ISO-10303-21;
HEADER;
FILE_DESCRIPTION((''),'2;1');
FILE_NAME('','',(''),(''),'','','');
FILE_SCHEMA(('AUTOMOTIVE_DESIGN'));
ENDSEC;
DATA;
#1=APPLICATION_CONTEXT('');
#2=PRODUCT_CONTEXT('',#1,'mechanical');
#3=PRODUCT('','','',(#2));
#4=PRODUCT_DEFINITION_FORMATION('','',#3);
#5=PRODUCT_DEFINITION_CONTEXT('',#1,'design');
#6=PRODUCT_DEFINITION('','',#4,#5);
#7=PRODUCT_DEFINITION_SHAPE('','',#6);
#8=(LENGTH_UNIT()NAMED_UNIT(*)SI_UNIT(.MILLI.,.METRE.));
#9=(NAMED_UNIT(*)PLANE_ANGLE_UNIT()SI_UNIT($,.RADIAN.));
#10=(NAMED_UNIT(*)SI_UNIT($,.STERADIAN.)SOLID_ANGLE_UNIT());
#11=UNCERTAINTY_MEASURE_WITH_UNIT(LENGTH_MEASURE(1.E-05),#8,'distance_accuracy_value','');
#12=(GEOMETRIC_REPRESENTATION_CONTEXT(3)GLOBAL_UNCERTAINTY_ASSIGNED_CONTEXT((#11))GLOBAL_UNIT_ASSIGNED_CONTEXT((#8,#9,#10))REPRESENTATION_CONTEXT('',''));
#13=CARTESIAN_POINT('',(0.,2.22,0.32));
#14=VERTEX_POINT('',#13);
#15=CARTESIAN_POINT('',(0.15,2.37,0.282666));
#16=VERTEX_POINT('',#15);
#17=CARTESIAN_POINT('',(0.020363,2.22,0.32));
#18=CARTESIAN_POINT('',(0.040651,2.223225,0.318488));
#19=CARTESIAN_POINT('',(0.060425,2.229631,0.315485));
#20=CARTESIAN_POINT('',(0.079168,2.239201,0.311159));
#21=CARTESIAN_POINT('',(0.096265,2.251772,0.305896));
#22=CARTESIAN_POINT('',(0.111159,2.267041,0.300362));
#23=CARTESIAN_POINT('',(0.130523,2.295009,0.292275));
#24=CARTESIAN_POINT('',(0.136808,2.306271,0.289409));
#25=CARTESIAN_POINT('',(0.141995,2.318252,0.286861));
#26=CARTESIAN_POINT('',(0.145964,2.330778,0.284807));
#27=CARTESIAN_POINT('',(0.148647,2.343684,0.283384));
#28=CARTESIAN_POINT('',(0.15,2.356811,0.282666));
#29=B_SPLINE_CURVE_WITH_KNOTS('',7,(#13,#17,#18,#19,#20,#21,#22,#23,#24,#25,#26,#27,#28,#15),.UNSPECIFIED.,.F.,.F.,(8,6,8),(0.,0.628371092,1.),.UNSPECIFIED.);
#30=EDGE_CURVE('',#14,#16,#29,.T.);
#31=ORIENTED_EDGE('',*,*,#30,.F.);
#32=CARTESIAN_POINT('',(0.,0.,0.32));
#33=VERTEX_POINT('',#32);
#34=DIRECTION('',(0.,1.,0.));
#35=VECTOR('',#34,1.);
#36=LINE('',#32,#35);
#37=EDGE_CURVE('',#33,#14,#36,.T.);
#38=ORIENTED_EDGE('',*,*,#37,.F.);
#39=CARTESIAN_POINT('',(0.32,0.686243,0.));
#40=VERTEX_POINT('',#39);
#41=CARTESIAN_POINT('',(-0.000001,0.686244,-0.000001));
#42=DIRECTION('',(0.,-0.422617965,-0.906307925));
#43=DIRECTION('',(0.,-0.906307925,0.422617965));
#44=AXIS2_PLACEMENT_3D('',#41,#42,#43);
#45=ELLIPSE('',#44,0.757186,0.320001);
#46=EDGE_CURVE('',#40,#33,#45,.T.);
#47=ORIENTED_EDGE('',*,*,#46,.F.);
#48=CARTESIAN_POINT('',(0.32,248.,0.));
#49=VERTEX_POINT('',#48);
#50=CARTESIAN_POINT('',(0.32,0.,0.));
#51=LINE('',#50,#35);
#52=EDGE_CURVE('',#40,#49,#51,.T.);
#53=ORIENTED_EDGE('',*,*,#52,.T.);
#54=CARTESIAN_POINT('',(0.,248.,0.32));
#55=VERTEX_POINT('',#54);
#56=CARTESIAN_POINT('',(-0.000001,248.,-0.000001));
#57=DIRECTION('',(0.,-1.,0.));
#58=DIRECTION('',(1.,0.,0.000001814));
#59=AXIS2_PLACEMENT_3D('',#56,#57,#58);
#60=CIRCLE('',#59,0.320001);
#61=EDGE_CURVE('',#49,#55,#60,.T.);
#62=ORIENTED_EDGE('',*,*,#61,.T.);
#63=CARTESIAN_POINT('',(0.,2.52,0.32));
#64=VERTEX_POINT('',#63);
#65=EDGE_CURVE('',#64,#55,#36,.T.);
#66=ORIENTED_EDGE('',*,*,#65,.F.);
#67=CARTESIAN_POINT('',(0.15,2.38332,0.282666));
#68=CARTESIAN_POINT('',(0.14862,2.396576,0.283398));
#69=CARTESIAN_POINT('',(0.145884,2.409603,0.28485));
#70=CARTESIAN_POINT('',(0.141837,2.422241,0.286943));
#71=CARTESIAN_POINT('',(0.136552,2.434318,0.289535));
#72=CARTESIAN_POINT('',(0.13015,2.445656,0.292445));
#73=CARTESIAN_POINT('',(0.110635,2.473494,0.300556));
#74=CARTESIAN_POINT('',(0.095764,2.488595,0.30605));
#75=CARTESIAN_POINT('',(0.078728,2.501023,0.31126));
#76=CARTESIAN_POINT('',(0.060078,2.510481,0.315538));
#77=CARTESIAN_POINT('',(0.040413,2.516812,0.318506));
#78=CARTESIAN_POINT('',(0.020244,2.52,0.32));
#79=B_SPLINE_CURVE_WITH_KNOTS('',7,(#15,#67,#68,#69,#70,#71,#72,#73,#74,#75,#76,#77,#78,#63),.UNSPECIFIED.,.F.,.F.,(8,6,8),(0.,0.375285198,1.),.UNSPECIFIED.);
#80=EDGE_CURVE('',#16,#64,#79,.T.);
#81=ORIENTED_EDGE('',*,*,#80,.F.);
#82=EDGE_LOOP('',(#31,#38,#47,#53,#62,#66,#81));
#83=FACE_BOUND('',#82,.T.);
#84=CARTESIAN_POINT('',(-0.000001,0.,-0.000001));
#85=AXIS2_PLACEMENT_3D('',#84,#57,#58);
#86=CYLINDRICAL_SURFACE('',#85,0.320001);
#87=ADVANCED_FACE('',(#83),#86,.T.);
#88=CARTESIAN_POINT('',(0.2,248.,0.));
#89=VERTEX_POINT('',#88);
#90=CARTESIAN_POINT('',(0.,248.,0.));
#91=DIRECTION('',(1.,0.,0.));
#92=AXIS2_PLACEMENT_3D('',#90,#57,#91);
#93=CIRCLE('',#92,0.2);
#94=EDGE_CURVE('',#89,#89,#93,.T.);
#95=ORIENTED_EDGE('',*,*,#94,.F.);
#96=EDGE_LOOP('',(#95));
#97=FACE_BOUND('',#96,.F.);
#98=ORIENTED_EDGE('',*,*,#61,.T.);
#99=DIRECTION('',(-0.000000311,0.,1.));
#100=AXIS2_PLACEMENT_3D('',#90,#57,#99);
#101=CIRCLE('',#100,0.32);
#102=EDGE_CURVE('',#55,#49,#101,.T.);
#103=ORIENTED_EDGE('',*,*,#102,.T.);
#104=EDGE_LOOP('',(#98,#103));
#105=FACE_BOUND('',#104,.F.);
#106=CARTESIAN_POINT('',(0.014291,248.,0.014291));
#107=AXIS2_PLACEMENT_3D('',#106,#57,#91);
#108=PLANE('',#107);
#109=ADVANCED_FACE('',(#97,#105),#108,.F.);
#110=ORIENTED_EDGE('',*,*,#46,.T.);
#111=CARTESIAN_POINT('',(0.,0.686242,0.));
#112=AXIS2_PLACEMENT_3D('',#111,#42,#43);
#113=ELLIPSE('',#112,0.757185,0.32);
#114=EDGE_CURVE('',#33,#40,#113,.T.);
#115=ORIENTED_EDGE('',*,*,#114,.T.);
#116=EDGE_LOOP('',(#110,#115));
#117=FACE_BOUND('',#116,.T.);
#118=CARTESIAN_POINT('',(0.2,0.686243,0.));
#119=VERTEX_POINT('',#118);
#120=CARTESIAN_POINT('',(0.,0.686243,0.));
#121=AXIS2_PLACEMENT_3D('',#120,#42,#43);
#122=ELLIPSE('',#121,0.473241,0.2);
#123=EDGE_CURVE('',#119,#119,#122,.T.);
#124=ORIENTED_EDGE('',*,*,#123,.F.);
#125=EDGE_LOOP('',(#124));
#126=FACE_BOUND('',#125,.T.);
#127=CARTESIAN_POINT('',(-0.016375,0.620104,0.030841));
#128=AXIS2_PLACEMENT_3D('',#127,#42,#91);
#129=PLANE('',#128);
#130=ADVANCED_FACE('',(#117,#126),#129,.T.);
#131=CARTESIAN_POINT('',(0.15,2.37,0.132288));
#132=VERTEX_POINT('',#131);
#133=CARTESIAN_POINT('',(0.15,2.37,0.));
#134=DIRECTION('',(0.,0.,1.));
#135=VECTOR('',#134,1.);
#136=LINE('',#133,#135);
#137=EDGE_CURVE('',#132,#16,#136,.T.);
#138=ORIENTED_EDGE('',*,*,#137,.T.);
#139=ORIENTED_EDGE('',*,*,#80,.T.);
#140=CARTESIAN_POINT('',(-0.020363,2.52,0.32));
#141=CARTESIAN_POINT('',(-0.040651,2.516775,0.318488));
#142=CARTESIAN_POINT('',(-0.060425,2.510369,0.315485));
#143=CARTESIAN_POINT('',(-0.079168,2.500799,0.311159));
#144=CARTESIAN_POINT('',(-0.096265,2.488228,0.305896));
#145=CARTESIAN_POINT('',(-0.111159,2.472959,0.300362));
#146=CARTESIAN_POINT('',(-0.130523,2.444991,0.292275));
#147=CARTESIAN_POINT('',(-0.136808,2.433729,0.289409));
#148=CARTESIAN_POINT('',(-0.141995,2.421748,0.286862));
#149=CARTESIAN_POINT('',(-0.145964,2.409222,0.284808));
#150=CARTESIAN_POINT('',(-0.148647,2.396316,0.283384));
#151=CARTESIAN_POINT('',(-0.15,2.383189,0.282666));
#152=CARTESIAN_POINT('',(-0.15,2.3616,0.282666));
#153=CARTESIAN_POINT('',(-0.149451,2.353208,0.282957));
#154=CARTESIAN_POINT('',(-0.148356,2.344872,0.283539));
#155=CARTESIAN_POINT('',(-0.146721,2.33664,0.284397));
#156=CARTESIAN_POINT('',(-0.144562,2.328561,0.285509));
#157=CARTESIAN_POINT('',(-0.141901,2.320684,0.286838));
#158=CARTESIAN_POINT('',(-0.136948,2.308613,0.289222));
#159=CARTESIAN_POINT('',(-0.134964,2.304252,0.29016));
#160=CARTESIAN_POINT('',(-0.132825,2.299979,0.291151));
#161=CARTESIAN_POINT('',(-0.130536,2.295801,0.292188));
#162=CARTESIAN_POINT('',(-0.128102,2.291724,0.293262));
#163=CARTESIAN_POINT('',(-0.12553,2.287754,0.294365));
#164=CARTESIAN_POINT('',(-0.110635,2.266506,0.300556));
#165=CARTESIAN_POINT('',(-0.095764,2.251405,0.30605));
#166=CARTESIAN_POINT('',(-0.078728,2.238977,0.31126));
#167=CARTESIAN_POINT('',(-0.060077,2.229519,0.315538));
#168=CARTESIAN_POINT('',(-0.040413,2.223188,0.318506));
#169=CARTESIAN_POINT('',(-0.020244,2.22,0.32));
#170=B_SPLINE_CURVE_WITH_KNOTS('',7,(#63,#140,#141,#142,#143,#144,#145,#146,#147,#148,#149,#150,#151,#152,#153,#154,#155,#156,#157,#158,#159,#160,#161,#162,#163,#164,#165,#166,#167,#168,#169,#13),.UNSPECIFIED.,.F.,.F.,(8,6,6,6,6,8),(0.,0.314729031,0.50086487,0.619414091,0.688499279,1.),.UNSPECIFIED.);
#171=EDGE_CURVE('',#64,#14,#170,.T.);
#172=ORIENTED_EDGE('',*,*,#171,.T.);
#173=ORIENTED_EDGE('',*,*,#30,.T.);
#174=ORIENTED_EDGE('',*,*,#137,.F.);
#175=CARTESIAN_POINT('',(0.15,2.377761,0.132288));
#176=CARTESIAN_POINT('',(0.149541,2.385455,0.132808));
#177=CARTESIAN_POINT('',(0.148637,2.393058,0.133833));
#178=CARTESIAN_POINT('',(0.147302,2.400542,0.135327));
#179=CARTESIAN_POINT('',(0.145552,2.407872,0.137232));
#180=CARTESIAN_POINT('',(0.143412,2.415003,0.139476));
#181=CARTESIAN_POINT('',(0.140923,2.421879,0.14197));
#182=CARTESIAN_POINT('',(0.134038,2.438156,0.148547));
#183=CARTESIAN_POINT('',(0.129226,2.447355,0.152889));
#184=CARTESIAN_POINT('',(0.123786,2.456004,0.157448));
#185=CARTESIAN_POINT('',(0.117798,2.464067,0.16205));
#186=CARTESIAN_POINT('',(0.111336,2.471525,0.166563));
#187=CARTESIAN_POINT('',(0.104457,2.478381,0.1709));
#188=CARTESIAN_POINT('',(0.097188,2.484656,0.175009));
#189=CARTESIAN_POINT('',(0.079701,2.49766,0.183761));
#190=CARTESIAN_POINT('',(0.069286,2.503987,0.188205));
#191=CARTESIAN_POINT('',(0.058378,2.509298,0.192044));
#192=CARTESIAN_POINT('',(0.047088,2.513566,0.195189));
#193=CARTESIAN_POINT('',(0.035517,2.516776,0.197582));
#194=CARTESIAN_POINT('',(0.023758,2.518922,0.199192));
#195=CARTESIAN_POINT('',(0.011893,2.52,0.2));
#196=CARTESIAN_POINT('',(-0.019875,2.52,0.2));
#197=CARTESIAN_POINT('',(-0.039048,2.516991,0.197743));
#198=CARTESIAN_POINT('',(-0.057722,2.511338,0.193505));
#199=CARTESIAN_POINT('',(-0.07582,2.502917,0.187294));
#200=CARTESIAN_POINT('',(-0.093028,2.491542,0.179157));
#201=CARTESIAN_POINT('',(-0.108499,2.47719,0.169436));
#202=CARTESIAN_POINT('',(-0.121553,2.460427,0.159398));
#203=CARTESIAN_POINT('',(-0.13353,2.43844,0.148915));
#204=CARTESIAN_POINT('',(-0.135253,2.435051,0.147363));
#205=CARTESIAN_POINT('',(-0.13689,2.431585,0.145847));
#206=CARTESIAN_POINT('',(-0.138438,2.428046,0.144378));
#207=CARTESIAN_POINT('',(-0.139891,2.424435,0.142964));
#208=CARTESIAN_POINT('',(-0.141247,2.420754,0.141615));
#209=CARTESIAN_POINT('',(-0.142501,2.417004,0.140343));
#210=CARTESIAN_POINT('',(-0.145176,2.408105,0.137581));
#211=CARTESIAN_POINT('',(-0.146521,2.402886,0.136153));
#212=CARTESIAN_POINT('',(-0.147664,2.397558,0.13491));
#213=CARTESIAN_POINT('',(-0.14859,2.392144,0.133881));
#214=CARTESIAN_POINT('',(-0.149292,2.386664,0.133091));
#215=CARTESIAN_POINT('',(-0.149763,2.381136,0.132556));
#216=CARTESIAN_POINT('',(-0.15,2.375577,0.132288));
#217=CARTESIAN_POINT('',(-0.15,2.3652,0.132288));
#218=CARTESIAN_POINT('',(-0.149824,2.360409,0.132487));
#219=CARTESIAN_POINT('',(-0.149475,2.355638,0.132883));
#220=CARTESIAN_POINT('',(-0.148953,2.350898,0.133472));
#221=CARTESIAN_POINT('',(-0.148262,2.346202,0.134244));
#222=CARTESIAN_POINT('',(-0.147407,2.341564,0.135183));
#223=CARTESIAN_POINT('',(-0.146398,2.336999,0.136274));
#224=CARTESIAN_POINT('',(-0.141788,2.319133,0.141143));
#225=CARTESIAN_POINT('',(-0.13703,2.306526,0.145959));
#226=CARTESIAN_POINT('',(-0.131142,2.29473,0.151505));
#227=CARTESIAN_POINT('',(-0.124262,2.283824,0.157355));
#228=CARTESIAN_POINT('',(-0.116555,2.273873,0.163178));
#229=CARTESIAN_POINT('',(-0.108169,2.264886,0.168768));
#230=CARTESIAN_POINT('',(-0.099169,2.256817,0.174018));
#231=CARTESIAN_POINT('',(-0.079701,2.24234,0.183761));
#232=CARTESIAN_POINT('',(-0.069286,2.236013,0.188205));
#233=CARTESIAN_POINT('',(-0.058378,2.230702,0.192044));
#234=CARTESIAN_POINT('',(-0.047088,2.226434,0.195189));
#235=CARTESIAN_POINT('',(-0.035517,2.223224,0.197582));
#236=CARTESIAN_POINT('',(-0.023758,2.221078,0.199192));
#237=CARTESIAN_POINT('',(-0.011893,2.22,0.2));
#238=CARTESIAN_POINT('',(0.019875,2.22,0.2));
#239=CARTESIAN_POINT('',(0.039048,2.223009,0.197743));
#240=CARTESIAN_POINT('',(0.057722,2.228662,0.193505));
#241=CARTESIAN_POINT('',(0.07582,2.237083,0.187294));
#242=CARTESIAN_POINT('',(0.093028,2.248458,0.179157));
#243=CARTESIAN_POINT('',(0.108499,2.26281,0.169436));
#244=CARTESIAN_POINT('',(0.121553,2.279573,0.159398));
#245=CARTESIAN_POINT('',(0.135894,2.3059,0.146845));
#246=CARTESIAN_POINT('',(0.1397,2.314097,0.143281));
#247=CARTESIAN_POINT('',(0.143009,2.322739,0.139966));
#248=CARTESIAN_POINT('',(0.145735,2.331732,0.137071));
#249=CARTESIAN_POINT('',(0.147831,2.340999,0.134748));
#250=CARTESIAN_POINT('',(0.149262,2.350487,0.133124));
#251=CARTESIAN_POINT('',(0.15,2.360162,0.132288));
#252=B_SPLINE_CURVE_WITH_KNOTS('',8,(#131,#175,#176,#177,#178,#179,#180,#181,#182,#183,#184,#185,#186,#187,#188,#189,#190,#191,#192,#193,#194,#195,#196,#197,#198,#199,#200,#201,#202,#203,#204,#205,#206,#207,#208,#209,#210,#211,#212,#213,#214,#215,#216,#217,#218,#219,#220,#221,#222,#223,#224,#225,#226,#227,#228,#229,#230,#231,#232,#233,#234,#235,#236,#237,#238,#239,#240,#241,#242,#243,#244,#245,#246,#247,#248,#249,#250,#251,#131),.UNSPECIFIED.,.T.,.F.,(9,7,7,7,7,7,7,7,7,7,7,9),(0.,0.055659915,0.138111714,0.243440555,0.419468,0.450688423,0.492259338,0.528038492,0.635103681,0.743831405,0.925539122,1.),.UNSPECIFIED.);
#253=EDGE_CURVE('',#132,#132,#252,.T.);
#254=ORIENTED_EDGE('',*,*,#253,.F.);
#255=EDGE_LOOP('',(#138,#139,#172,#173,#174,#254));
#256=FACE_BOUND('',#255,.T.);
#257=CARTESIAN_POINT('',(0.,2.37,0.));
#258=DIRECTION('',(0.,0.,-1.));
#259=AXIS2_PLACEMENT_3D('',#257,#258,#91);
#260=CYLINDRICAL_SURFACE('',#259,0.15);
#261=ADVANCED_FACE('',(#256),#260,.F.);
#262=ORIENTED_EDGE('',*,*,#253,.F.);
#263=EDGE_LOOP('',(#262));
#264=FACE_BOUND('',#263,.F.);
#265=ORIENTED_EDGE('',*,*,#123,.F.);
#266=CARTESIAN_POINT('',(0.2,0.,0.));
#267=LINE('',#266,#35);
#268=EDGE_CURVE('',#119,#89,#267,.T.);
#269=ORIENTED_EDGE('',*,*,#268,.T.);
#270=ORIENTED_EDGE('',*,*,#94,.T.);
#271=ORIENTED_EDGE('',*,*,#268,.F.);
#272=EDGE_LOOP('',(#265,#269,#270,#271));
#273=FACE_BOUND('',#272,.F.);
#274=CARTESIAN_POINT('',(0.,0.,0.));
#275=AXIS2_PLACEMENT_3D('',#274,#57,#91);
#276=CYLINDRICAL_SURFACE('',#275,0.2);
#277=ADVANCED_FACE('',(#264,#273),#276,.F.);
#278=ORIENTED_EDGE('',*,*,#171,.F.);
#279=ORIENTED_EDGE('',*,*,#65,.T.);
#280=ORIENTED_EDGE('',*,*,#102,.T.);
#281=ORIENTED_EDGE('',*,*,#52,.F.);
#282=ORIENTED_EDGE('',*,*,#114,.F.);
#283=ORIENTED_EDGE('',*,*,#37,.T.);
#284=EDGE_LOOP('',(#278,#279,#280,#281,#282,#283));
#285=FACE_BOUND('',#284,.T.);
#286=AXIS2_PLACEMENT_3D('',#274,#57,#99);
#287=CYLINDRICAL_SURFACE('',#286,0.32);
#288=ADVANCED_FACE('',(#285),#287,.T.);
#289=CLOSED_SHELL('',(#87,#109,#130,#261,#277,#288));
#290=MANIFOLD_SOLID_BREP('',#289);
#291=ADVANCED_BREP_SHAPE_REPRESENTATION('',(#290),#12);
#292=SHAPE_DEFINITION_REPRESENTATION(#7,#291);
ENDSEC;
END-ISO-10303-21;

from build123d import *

# Parameters (mm, degrees)
F0_R     = 0.2
F1_DEPTH = 248
F3_W     = 2.602176
F3_H     = 3.299261
F4_DEPTH = 25
F5_R     = 0.15
F6_DEPTH = 25


with BuildPart() as f1:
    # F0 (on Front) → F1 (new body)
    with BuildSketch(Plane.XZ):
        with BuildLine():
            ThreePointArc((0, 0.32), (-0.226274, -0.226274), (0.32, 0))
            ThreePointArc((0.32, 0), (0.226274, 0.226274), (0, 0.32))
        make_face()
        Circle(F0_R, mode=Mode.SUBTRACT)
    extrude(amount=-F1_DEPTH)

    # F3 (on face) → F4 (cut)
    with BuildSketch(Plane(origin=(0, 0.122567, 0.262846), x_dir=(1, 0, 0), z_dir=(0, -0.422618, -0.906308))):
        with Locations((-0.016375, -0.548971)):
            Rectangle(F3_W, F3_H)
    extrude(amount=F4_DEPTH, mode=Mode.SUBTRACT)

    # F5 (on Top) → F6 (cut)
    with BuildSketch(Plane.XY):
        with Locations((0, 2.37)):
            Circle(F5_R)
    extrude(amount=F6_DEPTH, mode=Mode.SUBTRACT)


solid = f1.part
